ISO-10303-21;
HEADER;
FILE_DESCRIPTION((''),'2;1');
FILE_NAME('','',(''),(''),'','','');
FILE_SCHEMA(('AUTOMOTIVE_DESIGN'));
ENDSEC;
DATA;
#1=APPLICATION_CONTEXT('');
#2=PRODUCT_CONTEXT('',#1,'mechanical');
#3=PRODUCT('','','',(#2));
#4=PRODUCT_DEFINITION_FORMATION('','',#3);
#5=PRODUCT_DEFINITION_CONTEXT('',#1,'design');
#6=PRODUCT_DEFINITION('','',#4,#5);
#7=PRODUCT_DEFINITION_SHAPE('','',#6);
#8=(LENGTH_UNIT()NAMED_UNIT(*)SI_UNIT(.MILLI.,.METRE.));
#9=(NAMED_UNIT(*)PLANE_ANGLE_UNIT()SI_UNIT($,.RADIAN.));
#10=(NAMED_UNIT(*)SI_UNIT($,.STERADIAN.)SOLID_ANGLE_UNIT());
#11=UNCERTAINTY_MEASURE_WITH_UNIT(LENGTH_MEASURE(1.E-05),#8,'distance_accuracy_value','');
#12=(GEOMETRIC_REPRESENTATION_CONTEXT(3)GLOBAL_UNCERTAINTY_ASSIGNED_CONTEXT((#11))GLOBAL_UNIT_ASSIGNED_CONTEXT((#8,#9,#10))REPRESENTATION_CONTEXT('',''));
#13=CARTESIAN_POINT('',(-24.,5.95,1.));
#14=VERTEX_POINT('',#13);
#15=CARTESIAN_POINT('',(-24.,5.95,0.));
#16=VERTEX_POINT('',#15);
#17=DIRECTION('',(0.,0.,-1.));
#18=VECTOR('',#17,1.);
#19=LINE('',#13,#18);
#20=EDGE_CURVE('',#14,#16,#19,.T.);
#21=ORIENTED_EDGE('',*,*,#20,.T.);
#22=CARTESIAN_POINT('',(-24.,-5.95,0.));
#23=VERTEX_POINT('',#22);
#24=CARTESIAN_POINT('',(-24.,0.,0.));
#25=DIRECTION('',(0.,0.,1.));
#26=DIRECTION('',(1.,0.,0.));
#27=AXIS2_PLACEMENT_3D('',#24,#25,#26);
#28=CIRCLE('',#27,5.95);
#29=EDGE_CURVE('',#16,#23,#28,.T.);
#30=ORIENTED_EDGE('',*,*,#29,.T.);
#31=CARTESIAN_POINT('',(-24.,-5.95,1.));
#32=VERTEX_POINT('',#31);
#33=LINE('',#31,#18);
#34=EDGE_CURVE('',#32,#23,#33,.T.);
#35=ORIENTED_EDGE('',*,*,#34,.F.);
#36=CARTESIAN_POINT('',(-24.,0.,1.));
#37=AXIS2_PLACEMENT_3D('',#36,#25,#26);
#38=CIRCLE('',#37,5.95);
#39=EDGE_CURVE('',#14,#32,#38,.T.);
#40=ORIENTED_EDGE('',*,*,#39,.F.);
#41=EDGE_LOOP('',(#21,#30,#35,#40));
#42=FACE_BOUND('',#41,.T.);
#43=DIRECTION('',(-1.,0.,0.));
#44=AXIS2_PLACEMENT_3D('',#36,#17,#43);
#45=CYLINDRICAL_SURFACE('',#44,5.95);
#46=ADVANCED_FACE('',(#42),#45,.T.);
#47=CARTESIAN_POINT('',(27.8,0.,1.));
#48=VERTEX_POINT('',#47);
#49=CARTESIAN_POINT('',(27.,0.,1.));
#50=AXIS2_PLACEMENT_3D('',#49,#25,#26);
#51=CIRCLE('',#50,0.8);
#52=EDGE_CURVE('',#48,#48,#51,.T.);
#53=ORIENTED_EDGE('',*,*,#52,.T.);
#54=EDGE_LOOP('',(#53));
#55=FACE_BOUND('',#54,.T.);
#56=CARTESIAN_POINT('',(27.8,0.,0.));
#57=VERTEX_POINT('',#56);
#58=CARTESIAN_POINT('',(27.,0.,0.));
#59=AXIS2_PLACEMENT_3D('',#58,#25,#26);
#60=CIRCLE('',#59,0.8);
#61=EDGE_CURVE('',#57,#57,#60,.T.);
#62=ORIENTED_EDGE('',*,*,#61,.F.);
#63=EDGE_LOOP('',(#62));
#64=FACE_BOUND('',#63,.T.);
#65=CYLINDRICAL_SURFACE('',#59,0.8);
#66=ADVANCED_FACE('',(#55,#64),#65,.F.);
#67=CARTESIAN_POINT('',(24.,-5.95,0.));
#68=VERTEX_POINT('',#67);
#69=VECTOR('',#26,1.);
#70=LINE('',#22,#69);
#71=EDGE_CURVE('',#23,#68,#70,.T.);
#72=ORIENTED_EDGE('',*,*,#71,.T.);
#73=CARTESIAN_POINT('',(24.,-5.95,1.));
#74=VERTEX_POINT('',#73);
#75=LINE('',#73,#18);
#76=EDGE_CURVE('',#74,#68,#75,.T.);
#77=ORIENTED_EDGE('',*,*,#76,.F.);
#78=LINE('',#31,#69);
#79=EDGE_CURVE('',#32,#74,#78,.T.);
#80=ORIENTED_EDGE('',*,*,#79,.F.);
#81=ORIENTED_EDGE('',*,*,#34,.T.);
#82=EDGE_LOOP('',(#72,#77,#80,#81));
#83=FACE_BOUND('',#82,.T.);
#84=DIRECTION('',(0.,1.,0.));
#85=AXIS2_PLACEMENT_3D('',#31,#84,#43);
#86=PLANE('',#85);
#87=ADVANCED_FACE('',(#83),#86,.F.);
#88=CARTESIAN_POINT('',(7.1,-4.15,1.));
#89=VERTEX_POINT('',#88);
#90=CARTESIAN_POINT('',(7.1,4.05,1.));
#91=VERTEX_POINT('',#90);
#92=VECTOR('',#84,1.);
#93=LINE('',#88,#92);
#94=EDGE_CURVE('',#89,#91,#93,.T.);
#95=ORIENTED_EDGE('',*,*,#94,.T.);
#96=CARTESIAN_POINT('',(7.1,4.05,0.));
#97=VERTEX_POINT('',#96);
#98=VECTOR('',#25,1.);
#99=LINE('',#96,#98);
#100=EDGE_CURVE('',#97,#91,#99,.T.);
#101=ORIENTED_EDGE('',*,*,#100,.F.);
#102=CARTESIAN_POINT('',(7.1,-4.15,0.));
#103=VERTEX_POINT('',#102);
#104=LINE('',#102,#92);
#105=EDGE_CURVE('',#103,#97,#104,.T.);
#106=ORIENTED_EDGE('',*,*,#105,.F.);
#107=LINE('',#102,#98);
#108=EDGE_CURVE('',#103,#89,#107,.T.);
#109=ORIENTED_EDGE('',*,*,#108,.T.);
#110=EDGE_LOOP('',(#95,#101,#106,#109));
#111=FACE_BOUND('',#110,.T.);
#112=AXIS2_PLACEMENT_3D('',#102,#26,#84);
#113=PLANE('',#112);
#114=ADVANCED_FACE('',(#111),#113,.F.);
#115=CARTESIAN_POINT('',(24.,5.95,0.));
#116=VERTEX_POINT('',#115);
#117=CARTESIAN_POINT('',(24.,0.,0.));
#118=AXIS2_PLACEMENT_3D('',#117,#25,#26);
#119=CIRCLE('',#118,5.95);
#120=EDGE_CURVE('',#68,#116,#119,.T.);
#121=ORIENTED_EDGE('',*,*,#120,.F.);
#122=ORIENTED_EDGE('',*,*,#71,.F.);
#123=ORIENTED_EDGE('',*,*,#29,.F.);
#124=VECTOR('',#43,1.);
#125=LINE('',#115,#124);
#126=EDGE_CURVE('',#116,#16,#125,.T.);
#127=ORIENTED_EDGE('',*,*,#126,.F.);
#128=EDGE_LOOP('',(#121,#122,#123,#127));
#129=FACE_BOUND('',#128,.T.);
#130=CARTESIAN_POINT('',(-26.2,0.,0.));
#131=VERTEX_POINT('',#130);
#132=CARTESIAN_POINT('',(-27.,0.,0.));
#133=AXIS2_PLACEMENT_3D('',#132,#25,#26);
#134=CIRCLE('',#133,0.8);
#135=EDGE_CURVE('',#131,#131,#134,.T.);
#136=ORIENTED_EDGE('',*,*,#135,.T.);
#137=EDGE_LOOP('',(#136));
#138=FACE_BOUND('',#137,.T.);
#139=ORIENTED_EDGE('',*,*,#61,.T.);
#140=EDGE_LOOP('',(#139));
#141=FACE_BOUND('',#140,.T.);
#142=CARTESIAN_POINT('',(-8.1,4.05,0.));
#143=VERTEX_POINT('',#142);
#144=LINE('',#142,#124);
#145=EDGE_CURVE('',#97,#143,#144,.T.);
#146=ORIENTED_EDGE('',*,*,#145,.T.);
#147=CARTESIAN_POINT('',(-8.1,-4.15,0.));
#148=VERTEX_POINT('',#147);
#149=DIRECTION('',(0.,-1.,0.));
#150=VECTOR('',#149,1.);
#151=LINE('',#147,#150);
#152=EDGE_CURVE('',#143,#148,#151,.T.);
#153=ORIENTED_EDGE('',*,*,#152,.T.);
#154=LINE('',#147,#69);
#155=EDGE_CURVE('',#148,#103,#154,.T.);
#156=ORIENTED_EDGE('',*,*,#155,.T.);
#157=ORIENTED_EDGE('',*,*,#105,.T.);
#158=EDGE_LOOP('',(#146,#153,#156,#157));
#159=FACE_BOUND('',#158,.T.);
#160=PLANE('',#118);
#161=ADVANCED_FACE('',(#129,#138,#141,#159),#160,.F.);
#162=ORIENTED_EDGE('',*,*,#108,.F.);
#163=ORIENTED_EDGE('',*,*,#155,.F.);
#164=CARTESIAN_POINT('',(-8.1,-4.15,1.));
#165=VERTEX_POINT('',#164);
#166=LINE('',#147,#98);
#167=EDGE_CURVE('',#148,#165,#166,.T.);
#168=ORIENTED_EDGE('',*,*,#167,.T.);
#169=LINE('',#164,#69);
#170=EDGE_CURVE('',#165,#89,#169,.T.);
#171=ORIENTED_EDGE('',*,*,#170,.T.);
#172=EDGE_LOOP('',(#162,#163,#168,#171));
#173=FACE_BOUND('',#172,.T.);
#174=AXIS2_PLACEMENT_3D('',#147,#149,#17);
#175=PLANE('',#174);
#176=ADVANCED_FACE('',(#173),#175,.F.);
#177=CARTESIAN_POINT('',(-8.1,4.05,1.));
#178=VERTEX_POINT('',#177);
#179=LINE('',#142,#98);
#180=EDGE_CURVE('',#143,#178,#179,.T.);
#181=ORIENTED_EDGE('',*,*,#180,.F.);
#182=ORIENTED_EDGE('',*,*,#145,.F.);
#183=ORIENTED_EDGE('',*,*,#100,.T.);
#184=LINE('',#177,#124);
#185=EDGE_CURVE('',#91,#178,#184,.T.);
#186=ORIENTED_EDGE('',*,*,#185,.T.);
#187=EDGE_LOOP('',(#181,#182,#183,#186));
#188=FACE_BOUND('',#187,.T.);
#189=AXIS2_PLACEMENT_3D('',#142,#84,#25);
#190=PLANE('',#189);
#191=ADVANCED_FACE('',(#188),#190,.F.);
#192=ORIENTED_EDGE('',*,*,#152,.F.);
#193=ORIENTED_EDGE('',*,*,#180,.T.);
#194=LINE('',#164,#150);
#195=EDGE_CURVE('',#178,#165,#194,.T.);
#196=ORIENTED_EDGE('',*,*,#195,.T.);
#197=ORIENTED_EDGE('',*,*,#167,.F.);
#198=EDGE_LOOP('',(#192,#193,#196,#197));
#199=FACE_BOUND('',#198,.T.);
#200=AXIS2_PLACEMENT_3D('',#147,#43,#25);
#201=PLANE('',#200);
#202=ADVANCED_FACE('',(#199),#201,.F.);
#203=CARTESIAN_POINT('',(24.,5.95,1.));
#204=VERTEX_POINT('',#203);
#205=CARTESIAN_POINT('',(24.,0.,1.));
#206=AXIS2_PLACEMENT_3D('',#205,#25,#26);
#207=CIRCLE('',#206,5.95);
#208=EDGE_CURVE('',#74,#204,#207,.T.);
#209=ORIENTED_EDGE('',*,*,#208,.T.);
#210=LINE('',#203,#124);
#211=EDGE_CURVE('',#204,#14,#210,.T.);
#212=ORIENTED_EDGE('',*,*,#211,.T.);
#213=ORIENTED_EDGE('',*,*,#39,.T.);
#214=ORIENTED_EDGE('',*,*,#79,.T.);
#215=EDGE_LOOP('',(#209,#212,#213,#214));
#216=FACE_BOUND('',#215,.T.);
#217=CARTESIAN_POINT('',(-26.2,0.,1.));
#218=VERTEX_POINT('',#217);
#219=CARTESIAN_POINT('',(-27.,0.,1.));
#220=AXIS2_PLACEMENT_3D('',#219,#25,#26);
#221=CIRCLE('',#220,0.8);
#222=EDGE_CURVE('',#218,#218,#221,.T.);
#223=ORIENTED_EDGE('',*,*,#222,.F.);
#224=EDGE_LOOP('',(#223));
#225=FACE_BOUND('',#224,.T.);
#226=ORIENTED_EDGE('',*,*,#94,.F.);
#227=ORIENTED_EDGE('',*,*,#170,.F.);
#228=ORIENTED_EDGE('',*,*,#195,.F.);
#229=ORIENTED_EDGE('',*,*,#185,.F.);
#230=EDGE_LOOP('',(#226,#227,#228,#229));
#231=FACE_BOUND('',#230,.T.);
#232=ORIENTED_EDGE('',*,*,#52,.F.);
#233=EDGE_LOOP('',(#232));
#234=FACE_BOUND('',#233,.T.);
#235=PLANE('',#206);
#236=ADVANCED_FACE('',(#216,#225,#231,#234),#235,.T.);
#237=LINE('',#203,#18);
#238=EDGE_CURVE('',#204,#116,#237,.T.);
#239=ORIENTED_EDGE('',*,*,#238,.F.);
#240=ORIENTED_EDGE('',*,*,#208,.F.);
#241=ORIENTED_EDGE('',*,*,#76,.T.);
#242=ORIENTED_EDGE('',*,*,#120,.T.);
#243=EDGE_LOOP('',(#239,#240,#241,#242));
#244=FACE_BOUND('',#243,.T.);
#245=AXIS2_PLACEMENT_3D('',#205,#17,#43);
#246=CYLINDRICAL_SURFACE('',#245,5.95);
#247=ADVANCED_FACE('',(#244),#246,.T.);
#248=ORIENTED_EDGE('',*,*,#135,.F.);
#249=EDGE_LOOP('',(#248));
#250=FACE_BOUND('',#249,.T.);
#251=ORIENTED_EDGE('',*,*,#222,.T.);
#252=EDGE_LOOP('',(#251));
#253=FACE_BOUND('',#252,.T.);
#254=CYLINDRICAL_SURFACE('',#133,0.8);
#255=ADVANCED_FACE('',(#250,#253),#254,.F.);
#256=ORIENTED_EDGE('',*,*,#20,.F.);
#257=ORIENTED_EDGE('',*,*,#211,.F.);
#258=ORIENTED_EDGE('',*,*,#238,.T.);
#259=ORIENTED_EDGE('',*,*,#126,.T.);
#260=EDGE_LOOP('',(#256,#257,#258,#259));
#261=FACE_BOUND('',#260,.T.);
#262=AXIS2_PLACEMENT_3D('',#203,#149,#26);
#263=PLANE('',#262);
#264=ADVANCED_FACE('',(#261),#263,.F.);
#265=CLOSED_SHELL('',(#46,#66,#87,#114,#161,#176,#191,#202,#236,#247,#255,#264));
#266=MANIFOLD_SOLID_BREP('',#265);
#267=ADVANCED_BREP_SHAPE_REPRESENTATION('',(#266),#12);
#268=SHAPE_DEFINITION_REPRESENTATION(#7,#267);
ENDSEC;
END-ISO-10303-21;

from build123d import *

# Parameters (mm, degrees)
BOSS_EXTRUDE2_DEPTH = 1
SKETCH4_R           = 0.8
CUT_EXTRUDE1_DEPTH  = 31.551677532
SKETCH5_W           = 15.2
SKETCH5_H           = 8.2
CUT_EXTRUDE2_DEPTH  = 31.551677532


with BuildPart() as part:
    # Sketch3 → Boss-Extrude2 (new body)
    with BuildSketch(Plane.XY):
        with BuildLine():
            Line((24, 5.95), (-24, 5.95))
            ThreePointArc((-24, 5.95), (-29.95, 0), (-24, -5.95))
            Line((-24, -5.95), (24, -5.95))
            ThreePointArc((24, -5.95), (29.95, 0), (24, 5.95))
        make_face()
    extrude(amount=BOSS_EXTRUDE2_DEPTH)

    # Sketch4 → Cut-Extrude1 (cut, through all)
    with BuildSketch(Plane.XY.offset(1)):
        with Locations((-27, 0)):
            Circle(SKETCH4_R)
        with Locations((27, 0)):
            Circle(SKETCH4_R)
    extrude(amount=-CUT_EXTRUDE1_DEPTH, mode=Mode.SUBTRACT)

    # Sketch5 → Cut-Extrude2 (cut, through all)
    with BuildSketch(Plane.XY.offset(1)):
        with Locations((-0.5, -0.05)):
            Rectangle(SKETCH5_W, SKETCH5_H)
    extrude(amount=-CUT_EXTRUDE2_DEPTH, mode=Mode.SUBTRACT)


solid = part.part
